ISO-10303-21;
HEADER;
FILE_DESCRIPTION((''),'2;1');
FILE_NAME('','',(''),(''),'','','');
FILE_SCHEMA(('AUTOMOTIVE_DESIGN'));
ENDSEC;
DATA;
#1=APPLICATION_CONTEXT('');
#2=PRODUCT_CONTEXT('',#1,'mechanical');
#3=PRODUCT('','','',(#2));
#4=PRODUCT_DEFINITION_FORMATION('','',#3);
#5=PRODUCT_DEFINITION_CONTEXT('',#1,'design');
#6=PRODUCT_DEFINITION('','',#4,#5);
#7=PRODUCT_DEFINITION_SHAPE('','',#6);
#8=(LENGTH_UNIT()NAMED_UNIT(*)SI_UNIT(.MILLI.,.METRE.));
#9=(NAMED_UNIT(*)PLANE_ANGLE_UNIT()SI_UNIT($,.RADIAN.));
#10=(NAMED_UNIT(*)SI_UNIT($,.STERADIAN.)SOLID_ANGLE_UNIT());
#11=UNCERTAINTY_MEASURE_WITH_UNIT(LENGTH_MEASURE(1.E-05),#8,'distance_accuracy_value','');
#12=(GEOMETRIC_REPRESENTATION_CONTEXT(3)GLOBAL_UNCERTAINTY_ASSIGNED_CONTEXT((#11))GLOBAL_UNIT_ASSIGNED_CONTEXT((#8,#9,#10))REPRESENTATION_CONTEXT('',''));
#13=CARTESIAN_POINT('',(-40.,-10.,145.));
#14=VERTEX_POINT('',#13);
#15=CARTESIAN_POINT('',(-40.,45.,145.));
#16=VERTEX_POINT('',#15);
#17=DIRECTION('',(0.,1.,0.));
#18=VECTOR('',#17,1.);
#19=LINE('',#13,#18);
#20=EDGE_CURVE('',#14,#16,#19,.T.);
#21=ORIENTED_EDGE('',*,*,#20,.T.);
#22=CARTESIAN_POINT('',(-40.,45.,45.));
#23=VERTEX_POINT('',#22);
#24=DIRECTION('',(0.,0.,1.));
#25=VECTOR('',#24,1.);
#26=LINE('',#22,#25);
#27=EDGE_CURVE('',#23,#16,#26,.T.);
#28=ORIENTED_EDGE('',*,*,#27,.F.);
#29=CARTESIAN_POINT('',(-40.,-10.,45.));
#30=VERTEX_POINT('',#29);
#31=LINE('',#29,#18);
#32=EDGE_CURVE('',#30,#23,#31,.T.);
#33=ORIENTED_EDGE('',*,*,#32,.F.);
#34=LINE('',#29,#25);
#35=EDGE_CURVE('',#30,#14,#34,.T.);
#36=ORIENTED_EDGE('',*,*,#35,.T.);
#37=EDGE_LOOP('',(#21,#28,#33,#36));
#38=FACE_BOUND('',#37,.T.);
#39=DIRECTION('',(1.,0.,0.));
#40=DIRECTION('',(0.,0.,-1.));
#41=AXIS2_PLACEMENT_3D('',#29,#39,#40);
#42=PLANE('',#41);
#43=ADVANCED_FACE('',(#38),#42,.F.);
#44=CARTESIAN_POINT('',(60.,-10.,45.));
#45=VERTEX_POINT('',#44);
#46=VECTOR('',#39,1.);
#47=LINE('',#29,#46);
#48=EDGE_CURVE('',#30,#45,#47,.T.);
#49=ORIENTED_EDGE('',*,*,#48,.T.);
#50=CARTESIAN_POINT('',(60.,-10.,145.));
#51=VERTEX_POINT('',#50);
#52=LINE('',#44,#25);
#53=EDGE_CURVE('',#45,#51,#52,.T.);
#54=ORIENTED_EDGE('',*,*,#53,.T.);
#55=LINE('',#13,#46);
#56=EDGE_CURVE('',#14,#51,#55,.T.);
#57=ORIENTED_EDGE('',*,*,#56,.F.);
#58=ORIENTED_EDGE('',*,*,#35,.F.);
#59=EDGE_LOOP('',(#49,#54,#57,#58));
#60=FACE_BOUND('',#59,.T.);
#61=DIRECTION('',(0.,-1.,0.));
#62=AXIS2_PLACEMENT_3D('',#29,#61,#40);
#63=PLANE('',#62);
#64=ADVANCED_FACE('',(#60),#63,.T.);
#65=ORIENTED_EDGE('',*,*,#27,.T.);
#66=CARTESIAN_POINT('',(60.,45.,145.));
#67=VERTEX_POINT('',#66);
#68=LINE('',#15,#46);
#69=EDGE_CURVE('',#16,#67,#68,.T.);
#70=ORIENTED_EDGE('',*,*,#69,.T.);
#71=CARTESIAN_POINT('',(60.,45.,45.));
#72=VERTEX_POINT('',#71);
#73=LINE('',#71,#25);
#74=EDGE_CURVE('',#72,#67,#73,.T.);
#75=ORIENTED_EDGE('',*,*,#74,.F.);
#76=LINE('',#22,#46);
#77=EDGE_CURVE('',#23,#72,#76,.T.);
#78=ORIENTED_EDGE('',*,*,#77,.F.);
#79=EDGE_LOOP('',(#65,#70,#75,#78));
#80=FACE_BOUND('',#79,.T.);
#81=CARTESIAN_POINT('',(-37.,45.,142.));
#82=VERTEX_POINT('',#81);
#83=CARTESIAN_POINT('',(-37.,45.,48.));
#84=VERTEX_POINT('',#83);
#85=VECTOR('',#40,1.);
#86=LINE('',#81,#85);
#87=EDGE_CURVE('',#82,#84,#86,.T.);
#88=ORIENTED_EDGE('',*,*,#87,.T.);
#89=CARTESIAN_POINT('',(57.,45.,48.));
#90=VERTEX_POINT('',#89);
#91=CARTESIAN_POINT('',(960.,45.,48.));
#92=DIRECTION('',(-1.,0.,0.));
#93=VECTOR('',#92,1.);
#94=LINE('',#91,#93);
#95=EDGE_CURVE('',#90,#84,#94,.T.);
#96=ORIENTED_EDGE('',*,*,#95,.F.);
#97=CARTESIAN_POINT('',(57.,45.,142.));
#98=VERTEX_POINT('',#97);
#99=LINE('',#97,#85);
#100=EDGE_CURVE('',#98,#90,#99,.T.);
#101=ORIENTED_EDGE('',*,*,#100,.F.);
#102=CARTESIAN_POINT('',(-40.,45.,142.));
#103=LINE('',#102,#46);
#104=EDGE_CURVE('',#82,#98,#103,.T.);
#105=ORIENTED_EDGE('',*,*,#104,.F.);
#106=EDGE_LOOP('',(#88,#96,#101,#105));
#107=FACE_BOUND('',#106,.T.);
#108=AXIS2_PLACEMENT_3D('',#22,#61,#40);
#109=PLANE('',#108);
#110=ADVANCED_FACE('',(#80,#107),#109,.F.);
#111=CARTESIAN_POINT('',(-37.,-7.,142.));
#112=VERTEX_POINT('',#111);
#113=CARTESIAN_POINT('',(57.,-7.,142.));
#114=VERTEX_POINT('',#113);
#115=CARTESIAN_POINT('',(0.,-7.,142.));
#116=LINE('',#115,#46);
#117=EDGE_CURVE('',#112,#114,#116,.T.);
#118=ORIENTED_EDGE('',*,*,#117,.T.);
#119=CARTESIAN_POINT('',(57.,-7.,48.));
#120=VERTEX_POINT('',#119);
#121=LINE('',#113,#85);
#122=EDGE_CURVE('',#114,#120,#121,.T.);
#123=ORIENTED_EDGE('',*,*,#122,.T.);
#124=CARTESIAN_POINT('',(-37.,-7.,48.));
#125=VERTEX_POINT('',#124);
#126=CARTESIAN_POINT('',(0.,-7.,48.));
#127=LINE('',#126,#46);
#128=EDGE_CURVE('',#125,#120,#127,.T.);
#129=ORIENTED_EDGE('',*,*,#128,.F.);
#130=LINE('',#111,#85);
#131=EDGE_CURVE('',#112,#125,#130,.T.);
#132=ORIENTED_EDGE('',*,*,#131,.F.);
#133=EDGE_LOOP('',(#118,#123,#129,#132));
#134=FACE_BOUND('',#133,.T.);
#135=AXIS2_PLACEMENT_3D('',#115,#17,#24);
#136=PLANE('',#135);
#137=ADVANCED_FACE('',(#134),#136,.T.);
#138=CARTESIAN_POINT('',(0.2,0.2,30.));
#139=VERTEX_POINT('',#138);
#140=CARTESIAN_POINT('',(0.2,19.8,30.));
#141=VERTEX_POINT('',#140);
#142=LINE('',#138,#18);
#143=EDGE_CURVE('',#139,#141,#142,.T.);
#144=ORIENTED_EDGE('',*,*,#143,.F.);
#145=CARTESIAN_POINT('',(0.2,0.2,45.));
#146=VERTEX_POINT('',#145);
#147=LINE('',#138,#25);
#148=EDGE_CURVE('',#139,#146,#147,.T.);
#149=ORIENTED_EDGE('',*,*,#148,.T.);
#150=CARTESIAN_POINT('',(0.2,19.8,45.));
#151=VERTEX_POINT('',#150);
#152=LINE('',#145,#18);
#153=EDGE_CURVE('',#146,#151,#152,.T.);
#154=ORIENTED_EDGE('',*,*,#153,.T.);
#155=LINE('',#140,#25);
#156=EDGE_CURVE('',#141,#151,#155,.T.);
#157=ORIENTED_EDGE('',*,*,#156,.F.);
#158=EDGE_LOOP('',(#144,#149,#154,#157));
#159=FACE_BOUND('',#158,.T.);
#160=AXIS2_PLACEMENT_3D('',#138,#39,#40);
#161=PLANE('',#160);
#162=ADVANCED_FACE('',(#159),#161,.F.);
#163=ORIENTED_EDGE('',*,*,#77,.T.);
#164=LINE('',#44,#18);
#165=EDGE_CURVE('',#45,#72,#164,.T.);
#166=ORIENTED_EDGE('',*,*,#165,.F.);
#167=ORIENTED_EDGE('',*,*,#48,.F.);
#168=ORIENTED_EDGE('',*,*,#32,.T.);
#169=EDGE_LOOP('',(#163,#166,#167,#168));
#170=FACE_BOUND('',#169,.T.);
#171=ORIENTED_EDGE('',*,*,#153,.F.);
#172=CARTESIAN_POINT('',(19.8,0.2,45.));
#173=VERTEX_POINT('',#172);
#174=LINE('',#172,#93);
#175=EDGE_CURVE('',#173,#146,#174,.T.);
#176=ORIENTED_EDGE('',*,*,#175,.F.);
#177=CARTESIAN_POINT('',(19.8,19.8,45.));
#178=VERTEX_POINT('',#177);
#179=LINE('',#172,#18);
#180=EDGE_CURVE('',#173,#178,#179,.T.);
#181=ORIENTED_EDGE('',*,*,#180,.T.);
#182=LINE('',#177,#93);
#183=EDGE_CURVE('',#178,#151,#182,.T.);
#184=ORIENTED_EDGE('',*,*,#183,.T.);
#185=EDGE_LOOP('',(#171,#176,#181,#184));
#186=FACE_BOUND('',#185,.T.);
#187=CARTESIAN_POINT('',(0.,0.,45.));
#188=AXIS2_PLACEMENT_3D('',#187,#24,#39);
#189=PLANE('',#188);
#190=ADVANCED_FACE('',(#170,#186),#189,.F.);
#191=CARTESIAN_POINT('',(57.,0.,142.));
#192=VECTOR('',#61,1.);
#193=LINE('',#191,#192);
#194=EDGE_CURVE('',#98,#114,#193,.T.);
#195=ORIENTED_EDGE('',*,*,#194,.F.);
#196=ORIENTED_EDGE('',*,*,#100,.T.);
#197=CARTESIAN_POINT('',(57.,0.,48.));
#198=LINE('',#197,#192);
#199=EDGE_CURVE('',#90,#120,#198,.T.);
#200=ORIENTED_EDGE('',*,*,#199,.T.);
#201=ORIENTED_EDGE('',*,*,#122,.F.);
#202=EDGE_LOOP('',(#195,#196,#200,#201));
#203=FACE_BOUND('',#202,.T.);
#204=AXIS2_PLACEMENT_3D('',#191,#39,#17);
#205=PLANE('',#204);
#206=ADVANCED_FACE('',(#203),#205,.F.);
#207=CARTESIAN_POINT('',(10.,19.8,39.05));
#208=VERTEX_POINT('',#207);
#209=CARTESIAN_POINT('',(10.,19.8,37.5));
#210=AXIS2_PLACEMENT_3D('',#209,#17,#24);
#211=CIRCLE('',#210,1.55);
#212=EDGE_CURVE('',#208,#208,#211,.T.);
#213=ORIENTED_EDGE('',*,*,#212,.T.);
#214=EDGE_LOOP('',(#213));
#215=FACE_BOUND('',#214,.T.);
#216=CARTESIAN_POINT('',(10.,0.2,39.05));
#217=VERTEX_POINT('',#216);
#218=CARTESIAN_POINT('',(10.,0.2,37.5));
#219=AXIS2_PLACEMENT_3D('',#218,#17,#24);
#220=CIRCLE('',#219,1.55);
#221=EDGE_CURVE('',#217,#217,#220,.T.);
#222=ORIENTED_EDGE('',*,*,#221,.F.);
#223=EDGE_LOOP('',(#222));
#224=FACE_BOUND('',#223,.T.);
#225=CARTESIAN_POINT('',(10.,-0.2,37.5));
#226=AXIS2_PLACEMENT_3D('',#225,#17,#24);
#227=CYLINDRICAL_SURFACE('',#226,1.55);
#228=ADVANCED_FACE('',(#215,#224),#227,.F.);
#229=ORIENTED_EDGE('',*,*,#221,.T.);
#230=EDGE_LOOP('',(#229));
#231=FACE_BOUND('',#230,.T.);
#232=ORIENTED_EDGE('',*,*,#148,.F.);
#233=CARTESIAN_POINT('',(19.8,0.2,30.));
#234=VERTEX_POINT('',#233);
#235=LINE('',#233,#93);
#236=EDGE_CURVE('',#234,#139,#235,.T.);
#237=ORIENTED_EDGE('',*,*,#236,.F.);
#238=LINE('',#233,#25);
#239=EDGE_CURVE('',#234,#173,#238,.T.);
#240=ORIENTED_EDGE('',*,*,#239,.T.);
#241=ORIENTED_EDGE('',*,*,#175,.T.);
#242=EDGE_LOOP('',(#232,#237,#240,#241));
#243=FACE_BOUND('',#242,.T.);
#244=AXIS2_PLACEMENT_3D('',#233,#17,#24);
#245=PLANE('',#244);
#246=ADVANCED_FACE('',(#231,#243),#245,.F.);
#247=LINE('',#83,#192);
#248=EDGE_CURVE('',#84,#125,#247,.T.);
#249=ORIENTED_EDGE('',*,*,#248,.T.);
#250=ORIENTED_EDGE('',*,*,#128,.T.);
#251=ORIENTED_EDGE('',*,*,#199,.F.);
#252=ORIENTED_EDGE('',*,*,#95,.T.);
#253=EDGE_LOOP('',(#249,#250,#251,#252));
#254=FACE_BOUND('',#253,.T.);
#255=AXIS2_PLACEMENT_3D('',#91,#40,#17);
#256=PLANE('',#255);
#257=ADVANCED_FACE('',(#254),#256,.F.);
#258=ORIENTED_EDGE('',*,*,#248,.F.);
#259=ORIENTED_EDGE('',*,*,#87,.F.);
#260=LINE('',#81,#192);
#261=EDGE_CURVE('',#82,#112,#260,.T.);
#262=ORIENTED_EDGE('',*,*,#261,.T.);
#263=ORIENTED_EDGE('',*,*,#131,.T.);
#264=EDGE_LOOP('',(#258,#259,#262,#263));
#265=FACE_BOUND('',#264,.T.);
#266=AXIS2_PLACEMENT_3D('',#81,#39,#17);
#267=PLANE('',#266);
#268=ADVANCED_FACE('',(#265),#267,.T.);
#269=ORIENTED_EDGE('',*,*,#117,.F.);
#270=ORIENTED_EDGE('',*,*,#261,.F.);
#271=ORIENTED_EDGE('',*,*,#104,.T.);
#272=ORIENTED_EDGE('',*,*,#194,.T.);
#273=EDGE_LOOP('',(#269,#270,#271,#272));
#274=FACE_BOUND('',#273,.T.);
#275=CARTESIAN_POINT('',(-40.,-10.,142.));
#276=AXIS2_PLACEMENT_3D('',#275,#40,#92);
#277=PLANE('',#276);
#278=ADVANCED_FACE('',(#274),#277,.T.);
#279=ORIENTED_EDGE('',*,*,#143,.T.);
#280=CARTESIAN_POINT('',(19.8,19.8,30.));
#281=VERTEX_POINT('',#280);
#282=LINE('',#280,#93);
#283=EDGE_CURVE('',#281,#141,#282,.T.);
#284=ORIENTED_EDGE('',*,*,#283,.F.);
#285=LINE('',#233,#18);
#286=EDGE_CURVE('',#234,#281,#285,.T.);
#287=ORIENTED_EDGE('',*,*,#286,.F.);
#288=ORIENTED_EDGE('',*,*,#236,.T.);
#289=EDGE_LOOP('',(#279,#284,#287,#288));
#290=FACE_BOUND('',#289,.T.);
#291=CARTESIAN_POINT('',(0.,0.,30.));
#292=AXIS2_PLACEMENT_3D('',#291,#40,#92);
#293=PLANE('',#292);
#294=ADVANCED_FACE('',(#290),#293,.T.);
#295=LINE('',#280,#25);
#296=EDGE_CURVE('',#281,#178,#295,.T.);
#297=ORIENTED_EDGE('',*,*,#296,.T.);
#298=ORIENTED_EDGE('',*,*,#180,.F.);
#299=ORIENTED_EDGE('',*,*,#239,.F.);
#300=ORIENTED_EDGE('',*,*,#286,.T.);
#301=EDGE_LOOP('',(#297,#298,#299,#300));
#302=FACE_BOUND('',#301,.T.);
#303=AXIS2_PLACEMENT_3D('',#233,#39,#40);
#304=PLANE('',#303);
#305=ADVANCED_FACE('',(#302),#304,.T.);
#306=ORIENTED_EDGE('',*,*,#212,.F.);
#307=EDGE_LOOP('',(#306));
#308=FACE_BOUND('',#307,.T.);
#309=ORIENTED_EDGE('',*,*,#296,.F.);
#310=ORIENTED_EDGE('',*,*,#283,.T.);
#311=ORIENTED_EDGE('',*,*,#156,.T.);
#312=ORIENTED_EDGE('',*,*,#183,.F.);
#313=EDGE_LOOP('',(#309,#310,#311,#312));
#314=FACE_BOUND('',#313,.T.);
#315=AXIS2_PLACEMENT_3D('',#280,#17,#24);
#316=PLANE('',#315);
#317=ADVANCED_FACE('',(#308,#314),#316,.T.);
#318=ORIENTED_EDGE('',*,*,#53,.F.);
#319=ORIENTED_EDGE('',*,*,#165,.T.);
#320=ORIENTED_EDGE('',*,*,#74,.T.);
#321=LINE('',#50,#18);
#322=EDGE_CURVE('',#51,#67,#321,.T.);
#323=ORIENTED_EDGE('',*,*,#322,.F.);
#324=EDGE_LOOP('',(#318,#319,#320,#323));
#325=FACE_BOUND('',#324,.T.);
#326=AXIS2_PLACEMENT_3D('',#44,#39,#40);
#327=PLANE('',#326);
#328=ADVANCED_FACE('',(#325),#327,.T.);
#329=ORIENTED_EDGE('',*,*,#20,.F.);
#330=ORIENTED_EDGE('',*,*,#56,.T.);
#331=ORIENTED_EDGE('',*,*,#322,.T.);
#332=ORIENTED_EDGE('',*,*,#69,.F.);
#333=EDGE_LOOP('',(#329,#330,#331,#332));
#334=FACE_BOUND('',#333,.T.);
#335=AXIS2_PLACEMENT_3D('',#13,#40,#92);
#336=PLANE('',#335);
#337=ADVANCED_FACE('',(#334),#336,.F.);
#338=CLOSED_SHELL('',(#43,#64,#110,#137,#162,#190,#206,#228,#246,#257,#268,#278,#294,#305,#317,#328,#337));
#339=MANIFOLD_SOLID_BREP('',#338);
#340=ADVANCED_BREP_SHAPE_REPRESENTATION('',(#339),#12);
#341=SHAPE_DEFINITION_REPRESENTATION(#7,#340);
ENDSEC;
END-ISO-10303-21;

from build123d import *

# Parameters (mm, degrees)
SKETCH_1_W           = 20
SKETCH_1_H           = 20
EXTRUDE_1_DEPTH      = 120
SKETCH_2_W           = 10
SKETCH_2_H           = 20
CUT_EXTRUDE_1_DEPTH  = 120
CUT_EXTRUDE_2_DEPTH  = 120
SKETCH_4_R           = 3
CUT_EXTRUDE_3_DEPTH  = 2
SKETCH_8_W           = 19.6
SKETCH_8_H           = 0.2
SKETCH_8_W_2         = 0.2
SKETCH_8_H_2         = 19.6
CUT_EXTRUDE_6_DEPTH  = 15
SKETCH_9_W           = 10
SKETCH_9_H           = 20
CUT_EXTRUDE_7_DEPTH  = 20
SKETCH_10_W          = 19.6
SKETCH_10_H          = 19.6
EXTRUDE_2_DEPTH      = 15
CUT_EXTRUDE_8_DEPTH  = 20
CUT_EXTRUDE_9_DEPTH  = 20
SKETCH_13_W          = 55
SKETCH_13_H          = 20
SKETCH_13_W_2        = 18.82824967
CUT_EXTRUDE_10_DEPTH = 20
SKETCH_14_W          = 100
SKETCH_14_H          = 55
EXTRUDE_5_DEPTH      = 5
SKETCH_17_W          = 2
SKETCH_17_H          = 55
CUT_EXTRUDE_12_DEPTH = 1000
EXTRUDE_6_DEPTH      = 94
SKETCH_19_W          = 3
SKETCH_19_H          = 55
EXTRUDE_7_DEPTH      = 100


with BuildPart() as part:
    # 草图1 → 凸台-拉伸1 (new body)
    with BuildSketch(Plane.XY):
        with Locations((10, 10)):
            Rectangle(SKETCH_1_W, SKETCH_1_H)
    extrude(amount=EXTRUDE_1_DEPTH)

    # 草图2 → 切除-拉伸1 (cut)
    with BuildSketch(Plane(origin=(0, 20, 0), x_dir=(1, 0, 0), z_dir=(0, 1, 0))):
        with Locations((15, -10)):
            Rectangle(SKETCH_2_W, SKETCH_2_H)
    extrude(amount=-CUT_EXTRUDE_1_DEPTH, mode=Mode.SUBTRACT)

    # 草图3 → 切除-拉伸2 (cut)
    with BuildSketch(Plane(origin=(10, 0, 0), x_dir=(0, 0, -1), z_dir=(1, 0, 0))):
        with BuildLine():
            ThreePointArc((-8.45, 10), (-9.40684068, 11.432013275), (-11.096015511, 11.096015511))
            Line((-11.096015511, 11.096015511), (-8.903984489, 8.903984489))
            ThreePointArc((-8.903984489, 8.903984489), (-8.567986725, 9.40684068), (-8.45, 10))
        make_face()
        with BuildLine():
            Line((-8.903984489, 8.903984489), (-11.096015511, 11.096015511))
            ThreePointArc((-11.096015511, 11.096015511), (-11.096015511, 8.903984489), (-8.903984489, 8.903984489))
        make_face()
    extrude(amount=-CUT_EXTRUDE_2_DEPTH, mode=Mode.SUBTRACT)

    # 草图4 → 切除-拉伸3 (cut)
    with BuildSketch(Plane.ZY):
        with Locations((10, 10)):
            Circle(SKETCH_4_R)
    extrude(amount=-CUT_EXTRUDE_3_DEPTH, mode=Mode.SUBTRACT)

    # 草图8 → 切除-拉伸6 (cut)
    with BuildSketch(Plane.XY.offset(120)):
        with Locations((10, 19.9)):
            Rectangle(SKETCH_8_W, SKETCH_8_H)
        with Locations((0.1, 19.9)):
            Rectangle(SKETCH_8_W_2, SKETCH_8_H)
        with Locations((0.1, 10)):
            Rectangle(SKETCH_8_W_2, SKETCH_8_H_2)
        with Locations((19.9, 10)):
            Rectangle(SKETCH_8_W_2, SKETCH_8_H_2)
        with Locations((19.9, 0.1)):
            Rectangle(SKETCH_8_W_2, SKETCH_8_H)
        with Locations((10, 0.1)):
            Rectangle(SKETCH_8_W, SKETCH_8_H)
        with Locations((0.1, 0.1)):
            Rectangle(SKETCH_8_W_2, SKETCH_8_H)
        with Locations((19.9, 19.9)):
            Rectangle(SKETCH_8_W_2, SKETCH_8_H)
    extrude(amount=-CUT_EXTRUDE_6_DEPTH, mode=Mode.SUBTRACT)

    # 草图9 → 切除-拉伸7 (cut)
    with BuildSketch(Plane(origin=(0, 20, 0), x_dir=(1, 0, 0), z_dir=(0, 1, 0))):
        Polygon((0, 0), (0, -45), (20, -45), (20, -20), (10, -20), (10, 0), align=None)
        with Locations((15, -10)):
            Rectangle(SKETCH_9_W, SKETCH_9_H)
    extrude(amount=-CUT_EXTRUDE_7_DEPTH, mode=Mode.SUBTRACT)

    # 草图10 → 凸台-拉伸2 (add)
    with BuildSketch(Plane(origin=(0, 0, 45), x_dir=(-1, 0, 0), z_dir=(0, 0, -1))):
        with Locations((-10, 10)):
            Rectangle(SKETCH_10_W, SKETCH_10_H)
    extrude(amount=EXTRUDE_2_DEPTH)

    # 草图11 → 切除-拉伸8 (cut)
    with BuildSketch(Plane(origin=(0, 19.8, 0), x_dir=(1, 0, 0), z_dir=(0, 1, 0))):
        with BuildLine():
            ThreePointArc((11.547573501, -112.5), (10.487812185, -111.029569439), (8.757681845, -111.569855559))
            Line((8.757681845, -111.569855559), (11.237465157, -113.430144441))
            ThreePointArc((11.237465157, -113.430144441), (11.468004062, -112.990238683), (11.547573501, -112.5))
        make_face()
        with BuildLine():
            Line((11.237465157, -113.430144441), (8.757681845, -111.569855559))
            ThreePointArc((8.757681845, -111.569855559), (9.06742906, -113.739891656), (11.237465157, -113.430144441))
        make_face()
    extrude(amount=-CUT_EXTRUDE_8_DEPTH, mode=Mode.SUBTRACT)

    # 草图12 → 切除-拉伸9 (cut)
    with BuildSketch(Plane(origin=(0, 19.8, 0), x_dir=(1, 0, 0), z_dir=(0, 1, 0))):
        with BuildLine():
            ThreePointArc((11.55, -37.5), (10.490153037, -36.029540888), (8.76, -36.57))
            Line((8.76, -36.57), (11.24, -38.43))
            ThreePointArc((11.24, -38.43), (11.470459112, -37.990153037), (11.55, -37.5))
        make_face()
        with BuildLine():
            Line((11.24, -38.43), (8.76, -36.57))
            ThreePointArc((8.76, -36.57), (9.07, -38.74), (11.24, -38.43))
        make_face()
    extrude(amount=-CUT_EXTRUDE_9_DEPTH, mode=Mode.SUBTRACT)

    # 草图13 → 切除-拉伸10 (cut)
    with BuildSketch(Plane.ZY):
        with Locations((77.5, 10)):
            Rectangle(SKETCH_13_W, SKETCH_13_H)
        with Locations((114.414124835, 10)):
            Rectangle(SKETCH_13_W_2, SKETCH_13_H)
    extrude(amount=-CUT_EXTRUDE_10_DEPTH, mode=Mode.SUBTRACT)

    # 草图14 → 凸台-拉伸5 (add)
    with BuildSketch(Plane.XY.offset(50)):
        with Locations((10, 17.5)):
            Rectangle(SKETCH_14_W, SKETCH_14_H)
    extrude(amount=-EXTRUDE_5_DEPTH)

    # 草图17 → 切除-拉伸12 (cut)
    with BuildSketch(Plane.ZY.offset(40)):
        with Locations((49, 17.5)):
            Rectangle(SKETCH_17_W, SKETCH_17_H)
    extrude(amount=-CUT_EXTRUDE_12_DEPTH, mode=Mode.SUBTRACT)

    # 草图18 → 凸台-拉伸6 (add)
    with BuildSketch(Plane.XY.offset(48)):
        Polygon((-40, -10), (60, -10), (60, 45), (57, 45), (57, -7), (-37, -7), (-37, 45), (-40, 45), align=None)
    extrude(amount=EXTRUDE_6_DEPTH)

    # 草图19 → 凸台-拉伸7 (add)
    with BuildSketch(Plane(origin=(60, 0, 0), x_dir=(0, 0, -1), z_dir=(1, 0, 0))):
        with Locations((-143.5, 17.5)):
            Rectangle(SKETCH_19_W, SKETCH_19_H)
    extrude(amount=-EXTRUDE_7_DEPTH)


solid = part.part
